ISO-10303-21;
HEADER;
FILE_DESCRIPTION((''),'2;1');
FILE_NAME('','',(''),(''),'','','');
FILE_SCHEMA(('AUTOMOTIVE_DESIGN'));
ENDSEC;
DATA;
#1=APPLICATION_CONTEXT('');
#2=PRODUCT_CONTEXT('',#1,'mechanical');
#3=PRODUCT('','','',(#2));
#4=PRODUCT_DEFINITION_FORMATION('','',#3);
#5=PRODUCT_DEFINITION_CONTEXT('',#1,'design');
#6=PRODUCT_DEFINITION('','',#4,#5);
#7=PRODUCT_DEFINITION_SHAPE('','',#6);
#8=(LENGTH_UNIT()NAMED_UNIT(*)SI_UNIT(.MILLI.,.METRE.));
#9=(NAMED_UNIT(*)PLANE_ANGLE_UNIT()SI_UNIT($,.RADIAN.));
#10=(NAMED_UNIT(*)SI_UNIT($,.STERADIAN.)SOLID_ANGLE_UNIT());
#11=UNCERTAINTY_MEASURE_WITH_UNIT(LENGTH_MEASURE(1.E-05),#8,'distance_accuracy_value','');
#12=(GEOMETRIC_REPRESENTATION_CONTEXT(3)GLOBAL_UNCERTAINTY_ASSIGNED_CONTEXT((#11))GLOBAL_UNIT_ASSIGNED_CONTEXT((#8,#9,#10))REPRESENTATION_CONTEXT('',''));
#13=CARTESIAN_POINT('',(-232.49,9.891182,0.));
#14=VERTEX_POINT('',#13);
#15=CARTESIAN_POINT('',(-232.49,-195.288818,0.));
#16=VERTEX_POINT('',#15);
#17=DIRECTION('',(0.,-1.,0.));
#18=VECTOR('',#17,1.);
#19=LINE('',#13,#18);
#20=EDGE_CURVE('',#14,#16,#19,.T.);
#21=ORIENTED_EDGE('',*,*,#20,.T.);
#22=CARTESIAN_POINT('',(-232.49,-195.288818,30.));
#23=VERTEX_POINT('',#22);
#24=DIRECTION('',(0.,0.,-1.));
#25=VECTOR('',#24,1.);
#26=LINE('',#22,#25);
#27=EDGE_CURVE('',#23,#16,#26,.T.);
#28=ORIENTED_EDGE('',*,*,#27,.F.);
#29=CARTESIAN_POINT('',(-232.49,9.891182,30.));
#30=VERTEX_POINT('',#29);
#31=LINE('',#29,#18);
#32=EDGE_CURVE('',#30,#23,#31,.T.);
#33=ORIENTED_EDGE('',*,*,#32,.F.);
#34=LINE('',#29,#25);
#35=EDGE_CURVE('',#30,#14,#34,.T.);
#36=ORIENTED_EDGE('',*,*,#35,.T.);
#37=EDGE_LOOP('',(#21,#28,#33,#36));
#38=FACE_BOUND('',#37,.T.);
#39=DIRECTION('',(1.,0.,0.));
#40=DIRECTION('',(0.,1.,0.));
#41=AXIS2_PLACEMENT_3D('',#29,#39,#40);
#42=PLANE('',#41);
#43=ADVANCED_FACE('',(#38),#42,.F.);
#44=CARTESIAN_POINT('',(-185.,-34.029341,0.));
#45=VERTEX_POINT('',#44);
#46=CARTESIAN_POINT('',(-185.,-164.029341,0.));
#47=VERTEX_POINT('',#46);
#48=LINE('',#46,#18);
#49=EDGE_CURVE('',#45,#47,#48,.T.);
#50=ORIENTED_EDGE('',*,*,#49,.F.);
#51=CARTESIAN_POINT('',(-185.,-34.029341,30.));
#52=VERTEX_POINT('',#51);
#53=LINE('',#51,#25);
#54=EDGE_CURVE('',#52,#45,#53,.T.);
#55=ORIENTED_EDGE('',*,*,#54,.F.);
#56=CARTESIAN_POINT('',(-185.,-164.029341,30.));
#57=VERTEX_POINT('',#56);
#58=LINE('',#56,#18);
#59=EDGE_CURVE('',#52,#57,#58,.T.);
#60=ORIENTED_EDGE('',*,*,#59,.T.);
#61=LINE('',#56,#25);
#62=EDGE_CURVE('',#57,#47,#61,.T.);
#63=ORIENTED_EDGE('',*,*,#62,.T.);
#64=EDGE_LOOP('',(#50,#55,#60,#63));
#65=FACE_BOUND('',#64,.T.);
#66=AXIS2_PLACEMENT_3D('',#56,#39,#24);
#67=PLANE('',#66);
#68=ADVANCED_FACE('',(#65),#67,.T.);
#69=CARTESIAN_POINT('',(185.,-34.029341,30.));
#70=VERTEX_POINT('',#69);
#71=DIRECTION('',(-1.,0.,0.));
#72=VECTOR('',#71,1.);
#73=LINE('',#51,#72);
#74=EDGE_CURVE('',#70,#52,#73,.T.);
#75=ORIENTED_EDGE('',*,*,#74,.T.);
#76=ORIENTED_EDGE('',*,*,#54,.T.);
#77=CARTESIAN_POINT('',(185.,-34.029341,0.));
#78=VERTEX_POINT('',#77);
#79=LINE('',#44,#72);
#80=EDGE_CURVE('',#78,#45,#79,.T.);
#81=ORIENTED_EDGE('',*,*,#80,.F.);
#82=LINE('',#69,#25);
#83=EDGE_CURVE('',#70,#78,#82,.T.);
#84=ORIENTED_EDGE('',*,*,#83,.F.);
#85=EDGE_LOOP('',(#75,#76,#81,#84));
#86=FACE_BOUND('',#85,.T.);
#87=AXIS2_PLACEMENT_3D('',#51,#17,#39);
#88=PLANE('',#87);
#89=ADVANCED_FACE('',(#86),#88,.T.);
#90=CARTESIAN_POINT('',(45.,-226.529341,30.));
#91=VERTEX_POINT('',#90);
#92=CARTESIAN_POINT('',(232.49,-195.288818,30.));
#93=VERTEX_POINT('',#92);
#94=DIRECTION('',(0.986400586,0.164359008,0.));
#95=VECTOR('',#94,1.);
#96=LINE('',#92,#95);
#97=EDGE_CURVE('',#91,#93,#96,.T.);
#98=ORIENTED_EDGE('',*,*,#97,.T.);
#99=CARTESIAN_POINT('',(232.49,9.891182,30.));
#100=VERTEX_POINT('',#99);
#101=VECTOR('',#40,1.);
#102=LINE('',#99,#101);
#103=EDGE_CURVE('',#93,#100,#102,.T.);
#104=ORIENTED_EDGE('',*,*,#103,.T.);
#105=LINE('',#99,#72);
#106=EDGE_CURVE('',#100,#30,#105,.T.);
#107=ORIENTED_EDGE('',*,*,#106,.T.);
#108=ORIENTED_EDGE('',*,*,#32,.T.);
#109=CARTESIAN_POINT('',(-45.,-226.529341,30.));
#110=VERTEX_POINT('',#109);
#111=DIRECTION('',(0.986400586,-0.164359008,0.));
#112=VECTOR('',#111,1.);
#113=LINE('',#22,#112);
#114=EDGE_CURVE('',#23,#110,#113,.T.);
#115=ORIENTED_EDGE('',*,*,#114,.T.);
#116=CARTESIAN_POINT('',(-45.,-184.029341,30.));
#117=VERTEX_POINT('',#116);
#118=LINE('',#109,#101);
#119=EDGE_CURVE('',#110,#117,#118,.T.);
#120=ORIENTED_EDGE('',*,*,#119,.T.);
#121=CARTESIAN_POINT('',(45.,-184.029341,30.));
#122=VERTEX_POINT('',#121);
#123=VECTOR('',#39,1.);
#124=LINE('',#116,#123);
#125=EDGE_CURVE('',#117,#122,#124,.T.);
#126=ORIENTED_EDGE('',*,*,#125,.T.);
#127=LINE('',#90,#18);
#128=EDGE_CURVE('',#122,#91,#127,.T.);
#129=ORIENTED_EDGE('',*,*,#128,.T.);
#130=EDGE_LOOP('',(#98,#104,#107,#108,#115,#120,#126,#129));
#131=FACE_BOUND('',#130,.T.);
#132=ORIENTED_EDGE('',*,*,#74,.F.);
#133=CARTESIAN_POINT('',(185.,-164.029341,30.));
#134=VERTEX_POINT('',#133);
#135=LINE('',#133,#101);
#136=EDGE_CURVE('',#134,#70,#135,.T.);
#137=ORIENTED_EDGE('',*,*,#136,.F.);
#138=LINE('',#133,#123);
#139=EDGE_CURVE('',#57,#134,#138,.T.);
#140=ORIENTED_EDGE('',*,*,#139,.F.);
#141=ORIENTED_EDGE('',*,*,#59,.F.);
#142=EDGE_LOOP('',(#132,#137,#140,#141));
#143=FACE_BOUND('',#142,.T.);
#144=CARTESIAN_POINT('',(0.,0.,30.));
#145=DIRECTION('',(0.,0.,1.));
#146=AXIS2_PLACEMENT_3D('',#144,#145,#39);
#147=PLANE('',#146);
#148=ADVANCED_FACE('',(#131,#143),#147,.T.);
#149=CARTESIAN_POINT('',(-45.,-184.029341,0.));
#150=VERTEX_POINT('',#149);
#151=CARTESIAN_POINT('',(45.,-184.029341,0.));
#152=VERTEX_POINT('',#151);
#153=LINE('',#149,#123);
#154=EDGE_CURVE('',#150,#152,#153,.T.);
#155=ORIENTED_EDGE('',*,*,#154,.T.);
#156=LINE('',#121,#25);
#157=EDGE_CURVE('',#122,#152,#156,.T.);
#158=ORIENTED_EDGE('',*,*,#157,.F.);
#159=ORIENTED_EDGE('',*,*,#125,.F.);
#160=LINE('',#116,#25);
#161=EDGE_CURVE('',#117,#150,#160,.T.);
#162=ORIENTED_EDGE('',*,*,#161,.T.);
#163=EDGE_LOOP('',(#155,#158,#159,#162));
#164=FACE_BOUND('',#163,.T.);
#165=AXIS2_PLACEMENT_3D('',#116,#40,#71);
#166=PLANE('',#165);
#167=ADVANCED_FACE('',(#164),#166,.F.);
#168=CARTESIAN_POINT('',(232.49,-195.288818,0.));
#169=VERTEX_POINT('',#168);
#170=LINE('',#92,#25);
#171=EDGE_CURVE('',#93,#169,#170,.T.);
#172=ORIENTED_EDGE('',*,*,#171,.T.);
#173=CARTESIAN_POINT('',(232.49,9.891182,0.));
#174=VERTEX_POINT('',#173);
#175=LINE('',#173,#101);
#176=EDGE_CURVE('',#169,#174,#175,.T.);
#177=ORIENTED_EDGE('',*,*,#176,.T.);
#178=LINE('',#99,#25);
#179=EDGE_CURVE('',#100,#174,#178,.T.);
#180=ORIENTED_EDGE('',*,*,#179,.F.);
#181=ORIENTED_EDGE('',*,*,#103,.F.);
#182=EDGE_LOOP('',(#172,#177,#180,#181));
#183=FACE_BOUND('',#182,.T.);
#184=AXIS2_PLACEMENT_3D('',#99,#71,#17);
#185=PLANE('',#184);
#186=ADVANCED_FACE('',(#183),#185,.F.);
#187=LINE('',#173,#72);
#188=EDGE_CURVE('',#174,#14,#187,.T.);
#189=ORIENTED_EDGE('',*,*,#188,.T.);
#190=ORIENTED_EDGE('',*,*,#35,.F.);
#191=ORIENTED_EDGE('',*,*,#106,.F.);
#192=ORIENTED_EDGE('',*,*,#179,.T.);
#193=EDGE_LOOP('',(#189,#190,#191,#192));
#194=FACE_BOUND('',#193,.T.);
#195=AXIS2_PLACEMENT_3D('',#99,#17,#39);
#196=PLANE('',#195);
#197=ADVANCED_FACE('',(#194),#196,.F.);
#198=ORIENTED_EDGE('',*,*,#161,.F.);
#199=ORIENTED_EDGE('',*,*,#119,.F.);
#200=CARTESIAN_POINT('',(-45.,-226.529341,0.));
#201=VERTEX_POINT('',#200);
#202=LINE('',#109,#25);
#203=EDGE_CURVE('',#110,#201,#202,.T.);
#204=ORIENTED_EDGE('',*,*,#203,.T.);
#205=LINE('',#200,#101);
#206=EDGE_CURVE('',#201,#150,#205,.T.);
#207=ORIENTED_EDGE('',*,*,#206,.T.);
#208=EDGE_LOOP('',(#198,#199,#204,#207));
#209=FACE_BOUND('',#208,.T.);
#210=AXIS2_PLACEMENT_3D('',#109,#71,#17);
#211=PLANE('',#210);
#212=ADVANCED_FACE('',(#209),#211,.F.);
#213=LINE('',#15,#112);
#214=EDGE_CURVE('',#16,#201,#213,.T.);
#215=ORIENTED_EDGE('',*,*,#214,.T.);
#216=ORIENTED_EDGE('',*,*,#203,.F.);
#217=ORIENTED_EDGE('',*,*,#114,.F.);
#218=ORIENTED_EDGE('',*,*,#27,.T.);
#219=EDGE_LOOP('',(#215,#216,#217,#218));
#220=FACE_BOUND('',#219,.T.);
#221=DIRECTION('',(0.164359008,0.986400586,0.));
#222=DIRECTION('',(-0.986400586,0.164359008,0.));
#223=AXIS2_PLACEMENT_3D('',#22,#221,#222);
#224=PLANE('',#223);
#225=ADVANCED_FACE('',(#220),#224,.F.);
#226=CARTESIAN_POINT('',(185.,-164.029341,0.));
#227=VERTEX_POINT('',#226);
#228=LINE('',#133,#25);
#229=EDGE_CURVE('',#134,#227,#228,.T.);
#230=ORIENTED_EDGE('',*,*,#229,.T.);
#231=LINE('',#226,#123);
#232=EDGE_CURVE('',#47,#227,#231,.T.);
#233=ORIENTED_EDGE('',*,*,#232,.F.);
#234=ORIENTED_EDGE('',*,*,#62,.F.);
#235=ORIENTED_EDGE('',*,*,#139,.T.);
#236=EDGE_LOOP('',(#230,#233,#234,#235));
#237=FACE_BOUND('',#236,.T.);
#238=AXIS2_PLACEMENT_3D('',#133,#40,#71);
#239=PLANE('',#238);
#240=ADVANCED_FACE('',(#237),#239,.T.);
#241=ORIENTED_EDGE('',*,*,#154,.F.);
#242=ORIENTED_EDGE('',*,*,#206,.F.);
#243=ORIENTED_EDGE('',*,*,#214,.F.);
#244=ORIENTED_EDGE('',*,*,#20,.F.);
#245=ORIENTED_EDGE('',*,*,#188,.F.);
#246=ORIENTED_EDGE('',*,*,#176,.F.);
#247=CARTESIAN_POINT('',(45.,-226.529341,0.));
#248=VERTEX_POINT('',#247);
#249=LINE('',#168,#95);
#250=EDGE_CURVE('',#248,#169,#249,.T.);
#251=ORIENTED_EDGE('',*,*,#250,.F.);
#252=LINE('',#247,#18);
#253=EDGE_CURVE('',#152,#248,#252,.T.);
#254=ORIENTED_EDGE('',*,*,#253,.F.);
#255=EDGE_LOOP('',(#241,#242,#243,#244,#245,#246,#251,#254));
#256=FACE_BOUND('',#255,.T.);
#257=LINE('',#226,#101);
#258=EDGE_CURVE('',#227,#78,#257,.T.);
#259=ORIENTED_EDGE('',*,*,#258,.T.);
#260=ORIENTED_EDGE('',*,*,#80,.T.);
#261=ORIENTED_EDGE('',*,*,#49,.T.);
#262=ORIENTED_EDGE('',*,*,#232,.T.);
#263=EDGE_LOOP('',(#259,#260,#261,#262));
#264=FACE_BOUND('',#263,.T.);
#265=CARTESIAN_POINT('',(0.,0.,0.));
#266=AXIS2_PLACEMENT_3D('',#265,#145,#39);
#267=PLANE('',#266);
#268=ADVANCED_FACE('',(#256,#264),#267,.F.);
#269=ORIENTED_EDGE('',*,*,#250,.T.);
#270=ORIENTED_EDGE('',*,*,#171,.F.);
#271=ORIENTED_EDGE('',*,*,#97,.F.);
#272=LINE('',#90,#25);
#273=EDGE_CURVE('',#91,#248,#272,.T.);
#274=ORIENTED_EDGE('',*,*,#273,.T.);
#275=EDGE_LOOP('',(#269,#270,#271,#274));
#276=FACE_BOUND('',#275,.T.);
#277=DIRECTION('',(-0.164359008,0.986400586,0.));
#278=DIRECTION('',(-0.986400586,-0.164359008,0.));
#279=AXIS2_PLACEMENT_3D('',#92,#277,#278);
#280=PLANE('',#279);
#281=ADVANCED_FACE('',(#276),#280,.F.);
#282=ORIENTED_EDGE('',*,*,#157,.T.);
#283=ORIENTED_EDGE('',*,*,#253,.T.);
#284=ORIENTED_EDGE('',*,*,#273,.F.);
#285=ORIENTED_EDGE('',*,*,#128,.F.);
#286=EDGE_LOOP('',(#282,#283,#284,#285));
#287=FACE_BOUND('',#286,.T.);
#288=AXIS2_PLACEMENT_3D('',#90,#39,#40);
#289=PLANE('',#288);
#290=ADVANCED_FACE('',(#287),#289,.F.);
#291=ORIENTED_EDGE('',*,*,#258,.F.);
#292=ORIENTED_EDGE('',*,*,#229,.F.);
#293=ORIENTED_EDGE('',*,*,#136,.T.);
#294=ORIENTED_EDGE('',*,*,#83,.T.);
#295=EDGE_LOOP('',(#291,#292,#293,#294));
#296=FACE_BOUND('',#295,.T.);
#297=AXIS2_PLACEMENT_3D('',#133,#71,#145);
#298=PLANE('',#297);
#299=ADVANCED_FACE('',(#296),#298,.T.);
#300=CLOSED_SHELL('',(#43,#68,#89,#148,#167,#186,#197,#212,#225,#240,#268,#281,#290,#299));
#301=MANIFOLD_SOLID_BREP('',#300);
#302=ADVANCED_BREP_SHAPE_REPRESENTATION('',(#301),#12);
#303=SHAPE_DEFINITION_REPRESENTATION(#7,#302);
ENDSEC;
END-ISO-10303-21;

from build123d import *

# Parameters (mm, degrees)
IZIM1_W                     = 370
IZIM1_H                     = 130
Y_KSEKLIK_EKSTR_ZYON1_DEPTH = 30


with BuildPart() as part:
    # Çizim1 → Yükseklik-Ekstrüzyon1 (new body)
    with BuildSketch(Plane.XY):
        Polygon((232.49, 9.891181894), (-232.49, 9.891181894), (-232.49, -195.288818106), (-45, -226.529341406), (-45, -184.029341406), (45, -184.029341406), (45, -226.529341406), (232.49, -195.288818106), align=None)
        with Locations((0, -99.029341406)):
            Rectangle(IZIM1_W, IZIM1_H, mode=Mode.SUBTRACT)
    extrude(amount=Y_KSEKLIK_EKSTR_ZYON1_DEPTH)


solid = part.part
